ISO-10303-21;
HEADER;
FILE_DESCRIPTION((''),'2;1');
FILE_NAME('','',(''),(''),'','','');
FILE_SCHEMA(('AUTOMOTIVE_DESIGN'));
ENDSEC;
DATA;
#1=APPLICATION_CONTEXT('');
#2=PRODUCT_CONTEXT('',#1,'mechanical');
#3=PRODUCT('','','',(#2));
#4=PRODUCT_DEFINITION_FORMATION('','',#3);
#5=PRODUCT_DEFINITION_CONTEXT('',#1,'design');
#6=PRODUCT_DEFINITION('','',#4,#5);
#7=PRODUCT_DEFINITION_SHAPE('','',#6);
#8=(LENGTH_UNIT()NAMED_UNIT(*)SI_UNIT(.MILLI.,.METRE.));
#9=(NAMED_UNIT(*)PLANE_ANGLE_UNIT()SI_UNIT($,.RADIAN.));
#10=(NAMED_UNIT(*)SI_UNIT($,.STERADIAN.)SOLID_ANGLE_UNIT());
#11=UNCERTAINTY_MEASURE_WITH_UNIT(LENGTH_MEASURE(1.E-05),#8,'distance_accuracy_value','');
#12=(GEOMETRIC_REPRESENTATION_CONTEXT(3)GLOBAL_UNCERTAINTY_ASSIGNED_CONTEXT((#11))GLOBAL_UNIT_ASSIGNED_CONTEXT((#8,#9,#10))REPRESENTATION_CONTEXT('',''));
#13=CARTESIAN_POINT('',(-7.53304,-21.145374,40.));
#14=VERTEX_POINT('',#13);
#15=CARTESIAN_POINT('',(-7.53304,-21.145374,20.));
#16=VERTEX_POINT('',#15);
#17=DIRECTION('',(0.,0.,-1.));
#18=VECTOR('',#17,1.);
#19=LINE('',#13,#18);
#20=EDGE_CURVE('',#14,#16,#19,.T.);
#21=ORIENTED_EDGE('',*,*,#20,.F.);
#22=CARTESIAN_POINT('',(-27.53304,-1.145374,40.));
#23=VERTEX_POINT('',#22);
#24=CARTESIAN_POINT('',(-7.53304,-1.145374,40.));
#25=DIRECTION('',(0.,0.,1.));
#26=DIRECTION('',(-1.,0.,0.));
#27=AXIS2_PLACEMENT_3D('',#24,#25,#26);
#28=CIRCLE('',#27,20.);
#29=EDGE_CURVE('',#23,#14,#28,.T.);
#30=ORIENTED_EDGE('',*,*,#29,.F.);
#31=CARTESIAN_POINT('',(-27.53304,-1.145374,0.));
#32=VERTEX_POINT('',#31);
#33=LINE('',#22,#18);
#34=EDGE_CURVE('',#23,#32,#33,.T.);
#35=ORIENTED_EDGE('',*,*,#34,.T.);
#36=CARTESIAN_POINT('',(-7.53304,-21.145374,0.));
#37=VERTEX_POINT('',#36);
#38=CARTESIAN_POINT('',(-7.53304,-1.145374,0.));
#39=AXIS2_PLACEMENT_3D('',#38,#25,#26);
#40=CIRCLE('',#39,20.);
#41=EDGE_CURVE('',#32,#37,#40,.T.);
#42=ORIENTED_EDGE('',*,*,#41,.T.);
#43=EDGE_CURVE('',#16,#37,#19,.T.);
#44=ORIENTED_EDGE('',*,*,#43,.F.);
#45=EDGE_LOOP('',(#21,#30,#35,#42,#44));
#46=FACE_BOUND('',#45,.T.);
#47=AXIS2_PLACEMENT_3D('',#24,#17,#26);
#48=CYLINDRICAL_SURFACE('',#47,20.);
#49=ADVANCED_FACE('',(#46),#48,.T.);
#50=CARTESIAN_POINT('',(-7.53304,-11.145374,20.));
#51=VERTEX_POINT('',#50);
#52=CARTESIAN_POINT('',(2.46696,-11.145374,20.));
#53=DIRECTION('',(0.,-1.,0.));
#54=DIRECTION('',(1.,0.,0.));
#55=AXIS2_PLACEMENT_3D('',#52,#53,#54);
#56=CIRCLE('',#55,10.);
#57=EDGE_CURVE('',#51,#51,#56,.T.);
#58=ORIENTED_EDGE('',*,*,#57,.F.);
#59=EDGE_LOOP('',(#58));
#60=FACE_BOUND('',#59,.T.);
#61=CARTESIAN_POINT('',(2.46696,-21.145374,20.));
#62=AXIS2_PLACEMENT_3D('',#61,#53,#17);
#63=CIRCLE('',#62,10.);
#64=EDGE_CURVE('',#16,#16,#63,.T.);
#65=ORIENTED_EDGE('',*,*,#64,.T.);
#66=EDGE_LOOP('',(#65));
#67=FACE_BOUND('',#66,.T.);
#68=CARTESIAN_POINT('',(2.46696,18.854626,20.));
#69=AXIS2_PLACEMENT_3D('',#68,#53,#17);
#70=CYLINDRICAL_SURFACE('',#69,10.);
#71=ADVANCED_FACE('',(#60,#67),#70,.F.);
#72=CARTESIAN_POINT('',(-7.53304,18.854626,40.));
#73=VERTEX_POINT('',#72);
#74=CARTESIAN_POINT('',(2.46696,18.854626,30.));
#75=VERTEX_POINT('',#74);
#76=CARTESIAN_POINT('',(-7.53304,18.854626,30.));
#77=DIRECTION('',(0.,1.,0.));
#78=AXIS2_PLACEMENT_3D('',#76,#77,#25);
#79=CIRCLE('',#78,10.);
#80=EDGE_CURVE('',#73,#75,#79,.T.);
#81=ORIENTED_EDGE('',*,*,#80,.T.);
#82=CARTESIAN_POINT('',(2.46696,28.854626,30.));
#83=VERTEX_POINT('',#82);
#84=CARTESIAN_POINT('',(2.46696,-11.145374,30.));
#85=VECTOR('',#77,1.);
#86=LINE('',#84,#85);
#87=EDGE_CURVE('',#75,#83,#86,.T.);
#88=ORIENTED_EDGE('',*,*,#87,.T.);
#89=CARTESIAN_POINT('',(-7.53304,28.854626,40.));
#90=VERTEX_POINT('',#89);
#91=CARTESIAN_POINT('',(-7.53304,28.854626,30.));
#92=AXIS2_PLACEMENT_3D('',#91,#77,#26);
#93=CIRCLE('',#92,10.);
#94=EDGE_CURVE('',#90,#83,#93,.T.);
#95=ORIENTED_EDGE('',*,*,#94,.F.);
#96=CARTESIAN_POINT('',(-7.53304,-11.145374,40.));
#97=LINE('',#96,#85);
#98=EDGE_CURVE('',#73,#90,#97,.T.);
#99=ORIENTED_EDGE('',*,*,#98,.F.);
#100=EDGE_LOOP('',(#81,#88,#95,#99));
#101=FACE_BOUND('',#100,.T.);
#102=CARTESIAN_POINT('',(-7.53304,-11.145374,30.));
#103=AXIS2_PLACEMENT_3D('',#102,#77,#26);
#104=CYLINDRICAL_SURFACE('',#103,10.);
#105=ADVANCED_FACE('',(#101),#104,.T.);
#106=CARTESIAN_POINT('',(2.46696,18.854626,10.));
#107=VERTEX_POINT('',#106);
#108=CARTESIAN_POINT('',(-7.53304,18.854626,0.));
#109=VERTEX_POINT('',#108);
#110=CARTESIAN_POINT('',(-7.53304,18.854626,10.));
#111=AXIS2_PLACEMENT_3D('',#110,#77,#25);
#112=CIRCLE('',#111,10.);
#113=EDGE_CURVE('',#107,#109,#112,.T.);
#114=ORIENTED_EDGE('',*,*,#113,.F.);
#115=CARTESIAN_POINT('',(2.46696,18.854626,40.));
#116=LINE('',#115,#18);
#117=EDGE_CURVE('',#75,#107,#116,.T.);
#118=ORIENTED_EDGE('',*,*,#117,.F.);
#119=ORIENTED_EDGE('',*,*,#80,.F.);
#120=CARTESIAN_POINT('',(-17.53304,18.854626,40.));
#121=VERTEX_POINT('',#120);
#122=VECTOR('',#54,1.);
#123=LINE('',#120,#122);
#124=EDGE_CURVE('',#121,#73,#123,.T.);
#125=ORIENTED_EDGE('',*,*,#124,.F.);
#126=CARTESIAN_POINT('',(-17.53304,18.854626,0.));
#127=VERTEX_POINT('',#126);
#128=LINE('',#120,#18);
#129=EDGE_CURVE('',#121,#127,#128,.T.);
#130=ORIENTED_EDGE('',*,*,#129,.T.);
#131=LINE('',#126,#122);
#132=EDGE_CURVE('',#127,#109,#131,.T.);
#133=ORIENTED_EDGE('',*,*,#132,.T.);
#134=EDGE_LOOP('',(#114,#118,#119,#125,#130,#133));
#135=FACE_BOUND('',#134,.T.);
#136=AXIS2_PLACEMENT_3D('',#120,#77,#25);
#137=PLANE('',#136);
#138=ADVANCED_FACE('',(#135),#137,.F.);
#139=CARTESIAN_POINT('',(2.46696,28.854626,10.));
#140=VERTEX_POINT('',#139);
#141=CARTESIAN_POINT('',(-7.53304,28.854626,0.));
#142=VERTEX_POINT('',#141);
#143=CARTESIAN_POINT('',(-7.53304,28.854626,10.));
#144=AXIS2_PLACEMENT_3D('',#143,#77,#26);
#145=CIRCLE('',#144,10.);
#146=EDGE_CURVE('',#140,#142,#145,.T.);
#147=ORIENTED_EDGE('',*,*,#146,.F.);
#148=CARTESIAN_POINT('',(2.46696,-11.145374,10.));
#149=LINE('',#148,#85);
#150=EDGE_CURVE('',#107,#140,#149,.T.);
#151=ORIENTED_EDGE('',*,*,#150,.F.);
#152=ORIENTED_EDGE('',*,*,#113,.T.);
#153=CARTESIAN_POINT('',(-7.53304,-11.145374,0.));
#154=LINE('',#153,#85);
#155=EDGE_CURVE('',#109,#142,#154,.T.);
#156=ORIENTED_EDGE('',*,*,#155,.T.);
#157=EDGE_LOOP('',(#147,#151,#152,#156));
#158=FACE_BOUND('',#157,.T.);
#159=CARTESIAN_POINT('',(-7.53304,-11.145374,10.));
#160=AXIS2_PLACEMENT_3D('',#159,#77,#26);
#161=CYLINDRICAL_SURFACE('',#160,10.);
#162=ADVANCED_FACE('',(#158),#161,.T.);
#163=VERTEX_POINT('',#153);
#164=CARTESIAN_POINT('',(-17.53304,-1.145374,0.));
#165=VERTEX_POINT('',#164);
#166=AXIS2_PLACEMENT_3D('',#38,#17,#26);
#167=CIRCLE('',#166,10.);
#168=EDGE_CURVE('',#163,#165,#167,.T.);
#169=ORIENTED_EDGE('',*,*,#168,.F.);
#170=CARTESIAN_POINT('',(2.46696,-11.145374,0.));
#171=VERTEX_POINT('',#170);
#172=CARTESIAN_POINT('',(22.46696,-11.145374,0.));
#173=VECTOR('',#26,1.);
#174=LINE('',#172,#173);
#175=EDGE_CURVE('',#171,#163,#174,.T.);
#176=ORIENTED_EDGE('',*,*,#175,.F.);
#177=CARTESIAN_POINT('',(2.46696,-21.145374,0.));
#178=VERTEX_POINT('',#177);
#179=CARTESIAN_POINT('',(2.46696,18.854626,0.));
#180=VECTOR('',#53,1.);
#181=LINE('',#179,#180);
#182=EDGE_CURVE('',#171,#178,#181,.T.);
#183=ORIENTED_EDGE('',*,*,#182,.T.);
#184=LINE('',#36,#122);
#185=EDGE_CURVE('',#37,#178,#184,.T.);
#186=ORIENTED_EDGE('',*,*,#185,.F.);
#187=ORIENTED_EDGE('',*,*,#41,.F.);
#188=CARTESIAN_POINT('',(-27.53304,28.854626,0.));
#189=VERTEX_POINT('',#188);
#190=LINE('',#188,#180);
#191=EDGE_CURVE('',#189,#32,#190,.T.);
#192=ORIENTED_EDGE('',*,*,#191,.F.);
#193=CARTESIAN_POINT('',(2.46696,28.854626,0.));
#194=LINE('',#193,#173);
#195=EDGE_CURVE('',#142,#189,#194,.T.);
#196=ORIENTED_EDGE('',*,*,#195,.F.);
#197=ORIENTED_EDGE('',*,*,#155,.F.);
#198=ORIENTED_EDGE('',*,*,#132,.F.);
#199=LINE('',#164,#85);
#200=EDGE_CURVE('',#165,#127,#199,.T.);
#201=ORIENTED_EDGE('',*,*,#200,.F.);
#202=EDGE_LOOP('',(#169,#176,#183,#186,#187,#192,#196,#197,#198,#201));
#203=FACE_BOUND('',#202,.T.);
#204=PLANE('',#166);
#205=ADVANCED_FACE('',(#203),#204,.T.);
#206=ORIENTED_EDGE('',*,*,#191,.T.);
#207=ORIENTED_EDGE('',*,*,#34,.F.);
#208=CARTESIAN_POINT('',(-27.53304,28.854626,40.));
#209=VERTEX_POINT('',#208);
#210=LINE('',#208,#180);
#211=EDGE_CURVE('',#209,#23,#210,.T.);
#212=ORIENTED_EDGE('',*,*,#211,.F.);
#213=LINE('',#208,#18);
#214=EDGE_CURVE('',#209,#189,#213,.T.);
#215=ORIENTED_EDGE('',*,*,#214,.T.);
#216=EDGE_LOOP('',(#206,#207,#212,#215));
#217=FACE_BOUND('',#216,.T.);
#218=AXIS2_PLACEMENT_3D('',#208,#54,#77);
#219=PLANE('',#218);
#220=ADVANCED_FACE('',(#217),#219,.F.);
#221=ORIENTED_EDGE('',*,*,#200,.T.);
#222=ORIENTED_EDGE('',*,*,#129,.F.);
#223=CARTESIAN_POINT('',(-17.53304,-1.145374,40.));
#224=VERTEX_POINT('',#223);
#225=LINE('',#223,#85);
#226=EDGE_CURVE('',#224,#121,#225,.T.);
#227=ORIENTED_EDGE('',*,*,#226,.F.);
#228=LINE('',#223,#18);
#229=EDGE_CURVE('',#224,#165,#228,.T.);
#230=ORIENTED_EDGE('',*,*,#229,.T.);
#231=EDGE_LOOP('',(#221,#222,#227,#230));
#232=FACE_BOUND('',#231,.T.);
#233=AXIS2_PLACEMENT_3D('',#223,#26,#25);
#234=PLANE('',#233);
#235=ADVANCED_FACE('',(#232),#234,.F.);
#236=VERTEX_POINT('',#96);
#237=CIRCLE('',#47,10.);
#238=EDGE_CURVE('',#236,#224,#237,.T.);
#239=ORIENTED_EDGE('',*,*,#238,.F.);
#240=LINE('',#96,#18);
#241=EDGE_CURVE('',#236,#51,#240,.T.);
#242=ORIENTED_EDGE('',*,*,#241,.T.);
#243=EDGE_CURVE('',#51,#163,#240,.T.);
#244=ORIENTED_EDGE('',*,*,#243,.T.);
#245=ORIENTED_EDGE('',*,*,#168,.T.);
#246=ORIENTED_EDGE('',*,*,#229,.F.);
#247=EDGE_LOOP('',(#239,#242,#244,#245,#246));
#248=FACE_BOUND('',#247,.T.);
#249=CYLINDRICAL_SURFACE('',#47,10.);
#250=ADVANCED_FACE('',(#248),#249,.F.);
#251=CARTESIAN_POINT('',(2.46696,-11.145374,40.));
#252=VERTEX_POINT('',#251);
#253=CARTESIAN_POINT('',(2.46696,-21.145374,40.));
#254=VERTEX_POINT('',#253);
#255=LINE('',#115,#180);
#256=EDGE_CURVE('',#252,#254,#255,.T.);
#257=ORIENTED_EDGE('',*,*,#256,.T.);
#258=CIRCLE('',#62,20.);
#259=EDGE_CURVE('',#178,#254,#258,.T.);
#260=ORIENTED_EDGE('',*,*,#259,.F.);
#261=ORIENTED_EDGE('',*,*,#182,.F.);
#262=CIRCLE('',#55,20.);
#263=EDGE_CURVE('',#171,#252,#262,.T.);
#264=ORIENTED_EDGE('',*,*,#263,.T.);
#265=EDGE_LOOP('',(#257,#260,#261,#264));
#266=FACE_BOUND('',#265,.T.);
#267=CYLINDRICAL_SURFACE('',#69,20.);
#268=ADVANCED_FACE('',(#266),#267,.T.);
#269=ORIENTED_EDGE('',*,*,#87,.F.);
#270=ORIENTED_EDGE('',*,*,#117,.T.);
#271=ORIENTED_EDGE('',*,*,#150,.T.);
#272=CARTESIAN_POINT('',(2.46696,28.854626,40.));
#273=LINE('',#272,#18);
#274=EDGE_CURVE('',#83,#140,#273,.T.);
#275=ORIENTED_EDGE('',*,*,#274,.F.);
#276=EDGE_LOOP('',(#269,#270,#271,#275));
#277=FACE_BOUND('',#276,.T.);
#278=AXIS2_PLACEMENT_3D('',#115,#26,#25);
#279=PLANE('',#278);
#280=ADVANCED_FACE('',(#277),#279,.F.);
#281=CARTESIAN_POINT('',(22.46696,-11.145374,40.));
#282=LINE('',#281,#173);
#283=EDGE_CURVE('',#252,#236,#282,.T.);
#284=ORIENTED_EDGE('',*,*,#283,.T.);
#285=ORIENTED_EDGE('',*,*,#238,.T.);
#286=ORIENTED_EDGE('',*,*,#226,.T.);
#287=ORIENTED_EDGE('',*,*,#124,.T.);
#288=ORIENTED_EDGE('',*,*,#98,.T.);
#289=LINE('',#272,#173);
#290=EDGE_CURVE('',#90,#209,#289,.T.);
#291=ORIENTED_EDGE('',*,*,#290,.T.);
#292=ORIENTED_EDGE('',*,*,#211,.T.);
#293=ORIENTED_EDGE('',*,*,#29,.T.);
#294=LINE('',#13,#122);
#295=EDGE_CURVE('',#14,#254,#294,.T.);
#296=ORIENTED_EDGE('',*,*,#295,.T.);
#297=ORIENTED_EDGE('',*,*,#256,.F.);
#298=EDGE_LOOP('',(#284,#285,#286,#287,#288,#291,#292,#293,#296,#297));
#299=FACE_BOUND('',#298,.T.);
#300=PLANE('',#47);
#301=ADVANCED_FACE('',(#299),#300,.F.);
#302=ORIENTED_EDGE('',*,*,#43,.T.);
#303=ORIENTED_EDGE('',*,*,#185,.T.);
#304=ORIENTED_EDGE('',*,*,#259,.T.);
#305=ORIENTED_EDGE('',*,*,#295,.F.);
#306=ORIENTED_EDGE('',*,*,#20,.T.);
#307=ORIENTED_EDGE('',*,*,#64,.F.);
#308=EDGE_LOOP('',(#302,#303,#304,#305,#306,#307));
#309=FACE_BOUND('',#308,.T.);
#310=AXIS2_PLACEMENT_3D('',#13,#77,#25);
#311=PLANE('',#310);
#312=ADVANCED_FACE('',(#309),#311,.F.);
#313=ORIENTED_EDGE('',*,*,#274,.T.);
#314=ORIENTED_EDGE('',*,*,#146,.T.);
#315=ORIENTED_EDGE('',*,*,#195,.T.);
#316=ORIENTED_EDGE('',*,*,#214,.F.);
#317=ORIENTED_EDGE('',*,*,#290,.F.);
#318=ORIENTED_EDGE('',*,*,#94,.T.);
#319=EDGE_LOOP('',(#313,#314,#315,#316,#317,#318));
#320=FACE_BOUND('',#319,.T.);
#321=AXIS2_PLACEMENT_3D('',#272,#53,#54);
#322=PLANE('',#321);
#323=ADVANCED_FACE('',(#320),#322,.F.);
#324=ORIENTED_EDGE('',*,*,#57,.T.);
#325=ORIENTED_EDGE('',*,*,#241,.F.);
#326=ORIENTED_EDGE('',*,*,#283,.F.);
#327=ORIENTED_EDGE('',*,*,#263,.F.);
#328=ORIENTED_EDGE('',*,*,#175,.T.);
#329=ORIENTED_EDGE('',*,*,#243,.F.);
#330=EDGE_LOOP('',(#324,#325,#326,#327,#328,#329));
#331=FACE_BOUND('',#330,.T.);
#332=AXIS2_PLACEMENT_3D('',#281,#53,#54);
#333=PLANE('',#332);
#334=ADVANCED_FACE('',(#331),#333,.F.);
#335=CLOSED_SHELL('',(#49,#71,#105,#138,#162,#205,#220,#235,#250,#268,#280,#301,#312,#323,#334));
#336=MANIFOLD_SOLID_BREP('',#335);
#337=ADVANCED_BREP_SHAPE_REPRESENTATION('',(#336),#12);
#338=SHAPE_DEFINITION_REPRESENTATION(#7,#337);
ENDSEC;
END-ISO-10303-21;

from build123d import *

# Parameters (mm, degrees)
BOSS_EXTRUDE1_DEPTH = 40
SKETCH3_OUTSIDE_W   = 68.248
SKETCH3_OUTSIDE_H   = 58.248
CUT_EXTRUDE1_DEPTH  = 40
SKETCH4_OUTSIDE_W   = 68.248
SKETCH4_OUTSIDE_H   = 58.248
SKETCH4_OUTSIDE_R   = 10
CUT_EXTRUDE4_DEPTH  = 40


with BuildPart() as part:
    # Sketch2 → Boss-Extrude1 (new body)
    with BuildSketch(Plane.XY):
        with BuildLine():
            Line((2.466960352, 28.854625551), (-27.533039648, 28.854625551))
            Line((-27.533039648, 28.854625551), (-27.533039648, -1.145374449))
            ThreePointArc((-27.533039648, -1.145374449), (-21.675175271, -15.287510073), (-7.533039648, -21.145374449))
            Line((-7.533039648, -21.145374449), (22.466960352, -21.145374449))
            Line((22.466960352, -21.145374449), (22.466960352, -11.145374449))
            Line((22.466960352, -11.145374449), (-7.533039648, -11.145374449))
            ThreePointArc((-7.533039648, -11.145374449), (-14.604107459, -8.216442261), (-17.533039648, -1.145374449))
            Line((-17.533039648, -1.145374449), (-17.533039648, 18.854625551))
            Line((-17.533039648, 18.854625551), (2.466960352, 18.854625551))
            Line((2.466960352, 18.854625551), (2.466960352, 28.854625551))
        make_face()
    extrude(amount=BOSS_EXTRUDE1_DEPTH)

    # Sketch3 outside → Cut-Extrude1 (cut)
    with BuildSketch(Plane(origin=(0, 28.854625551, 0), x_dir=(1, 0, 0), z_dir=(0, 1, 0))):
        with Locations((-2.533, -20)):
            Rectangle(SKETCH3_OUTSIDE_W, SKETCH3_OUTSIDE_H)
        with BuildLine():
            Line((-27.533039648, 0), (-27.533039648, -40))
            Line((-27.533039648, -40), (-7.533039648, -40))
            ThreePointArc((-7.533039648, -40), (-0.461971836, -37.071067812), (2.466960352, -30))
            Line((2.466960352, -30), (2.466960352, -10))
            ThreePointArc((2.466960352, -10), (-0.461971836, -2.928932188), (-7.533039648, 0))
            Line((-7.533039648, 0), (-27.533039648, 0))
        make_face(mode=Mode.SUBTRACT)
    extrude(amount=-CUT_EXTRUDE1_DEPTH, mode=Mode.SUBTRACT)

    # Sketch4 outside → Cut-Extrude4 (cut)
    # profile 1 of 2: a face of its own
    with BuildSketch(Plane.XZ.offset(21.145374449)):
        with Locations((-2.533, 20)):
            Rectangle(SKETCH4_OUTSIDE_W, SKETCH4_OUTSIDE_H)
        with BuildLine():
            Line((-7.533039648, 40), (-27.533039648, 40))
            Line((-27.533039648, 40), (-27.533039648, 0))
            Line((-27.533039648, 0), (-7.533039648, 0))
            Line((-7.533039648, 0), (2.466960352, 0))
            ThreePointArc((2.466960352, 0), (22.466960352, 20), (2.466960352, 40))
            Line((2.466960352, 40), (-7.533039648, 40))
        make_face(mode=Mode.SUBTRACT)
    # profile 2 of 2: a face of its own
    with BuildSketch(Plane.XZ.offset(21.145374449)):
        with Locations(Location((2.466960352, 20, 0), (0, 0, 180))):
            Circle(SKETCH4_OUTSIDE_R)
    extrude(amount=-CUT_EXTRUDE4_DEPTH, mode=Mode.SUBTRACT)


solid = part.part
